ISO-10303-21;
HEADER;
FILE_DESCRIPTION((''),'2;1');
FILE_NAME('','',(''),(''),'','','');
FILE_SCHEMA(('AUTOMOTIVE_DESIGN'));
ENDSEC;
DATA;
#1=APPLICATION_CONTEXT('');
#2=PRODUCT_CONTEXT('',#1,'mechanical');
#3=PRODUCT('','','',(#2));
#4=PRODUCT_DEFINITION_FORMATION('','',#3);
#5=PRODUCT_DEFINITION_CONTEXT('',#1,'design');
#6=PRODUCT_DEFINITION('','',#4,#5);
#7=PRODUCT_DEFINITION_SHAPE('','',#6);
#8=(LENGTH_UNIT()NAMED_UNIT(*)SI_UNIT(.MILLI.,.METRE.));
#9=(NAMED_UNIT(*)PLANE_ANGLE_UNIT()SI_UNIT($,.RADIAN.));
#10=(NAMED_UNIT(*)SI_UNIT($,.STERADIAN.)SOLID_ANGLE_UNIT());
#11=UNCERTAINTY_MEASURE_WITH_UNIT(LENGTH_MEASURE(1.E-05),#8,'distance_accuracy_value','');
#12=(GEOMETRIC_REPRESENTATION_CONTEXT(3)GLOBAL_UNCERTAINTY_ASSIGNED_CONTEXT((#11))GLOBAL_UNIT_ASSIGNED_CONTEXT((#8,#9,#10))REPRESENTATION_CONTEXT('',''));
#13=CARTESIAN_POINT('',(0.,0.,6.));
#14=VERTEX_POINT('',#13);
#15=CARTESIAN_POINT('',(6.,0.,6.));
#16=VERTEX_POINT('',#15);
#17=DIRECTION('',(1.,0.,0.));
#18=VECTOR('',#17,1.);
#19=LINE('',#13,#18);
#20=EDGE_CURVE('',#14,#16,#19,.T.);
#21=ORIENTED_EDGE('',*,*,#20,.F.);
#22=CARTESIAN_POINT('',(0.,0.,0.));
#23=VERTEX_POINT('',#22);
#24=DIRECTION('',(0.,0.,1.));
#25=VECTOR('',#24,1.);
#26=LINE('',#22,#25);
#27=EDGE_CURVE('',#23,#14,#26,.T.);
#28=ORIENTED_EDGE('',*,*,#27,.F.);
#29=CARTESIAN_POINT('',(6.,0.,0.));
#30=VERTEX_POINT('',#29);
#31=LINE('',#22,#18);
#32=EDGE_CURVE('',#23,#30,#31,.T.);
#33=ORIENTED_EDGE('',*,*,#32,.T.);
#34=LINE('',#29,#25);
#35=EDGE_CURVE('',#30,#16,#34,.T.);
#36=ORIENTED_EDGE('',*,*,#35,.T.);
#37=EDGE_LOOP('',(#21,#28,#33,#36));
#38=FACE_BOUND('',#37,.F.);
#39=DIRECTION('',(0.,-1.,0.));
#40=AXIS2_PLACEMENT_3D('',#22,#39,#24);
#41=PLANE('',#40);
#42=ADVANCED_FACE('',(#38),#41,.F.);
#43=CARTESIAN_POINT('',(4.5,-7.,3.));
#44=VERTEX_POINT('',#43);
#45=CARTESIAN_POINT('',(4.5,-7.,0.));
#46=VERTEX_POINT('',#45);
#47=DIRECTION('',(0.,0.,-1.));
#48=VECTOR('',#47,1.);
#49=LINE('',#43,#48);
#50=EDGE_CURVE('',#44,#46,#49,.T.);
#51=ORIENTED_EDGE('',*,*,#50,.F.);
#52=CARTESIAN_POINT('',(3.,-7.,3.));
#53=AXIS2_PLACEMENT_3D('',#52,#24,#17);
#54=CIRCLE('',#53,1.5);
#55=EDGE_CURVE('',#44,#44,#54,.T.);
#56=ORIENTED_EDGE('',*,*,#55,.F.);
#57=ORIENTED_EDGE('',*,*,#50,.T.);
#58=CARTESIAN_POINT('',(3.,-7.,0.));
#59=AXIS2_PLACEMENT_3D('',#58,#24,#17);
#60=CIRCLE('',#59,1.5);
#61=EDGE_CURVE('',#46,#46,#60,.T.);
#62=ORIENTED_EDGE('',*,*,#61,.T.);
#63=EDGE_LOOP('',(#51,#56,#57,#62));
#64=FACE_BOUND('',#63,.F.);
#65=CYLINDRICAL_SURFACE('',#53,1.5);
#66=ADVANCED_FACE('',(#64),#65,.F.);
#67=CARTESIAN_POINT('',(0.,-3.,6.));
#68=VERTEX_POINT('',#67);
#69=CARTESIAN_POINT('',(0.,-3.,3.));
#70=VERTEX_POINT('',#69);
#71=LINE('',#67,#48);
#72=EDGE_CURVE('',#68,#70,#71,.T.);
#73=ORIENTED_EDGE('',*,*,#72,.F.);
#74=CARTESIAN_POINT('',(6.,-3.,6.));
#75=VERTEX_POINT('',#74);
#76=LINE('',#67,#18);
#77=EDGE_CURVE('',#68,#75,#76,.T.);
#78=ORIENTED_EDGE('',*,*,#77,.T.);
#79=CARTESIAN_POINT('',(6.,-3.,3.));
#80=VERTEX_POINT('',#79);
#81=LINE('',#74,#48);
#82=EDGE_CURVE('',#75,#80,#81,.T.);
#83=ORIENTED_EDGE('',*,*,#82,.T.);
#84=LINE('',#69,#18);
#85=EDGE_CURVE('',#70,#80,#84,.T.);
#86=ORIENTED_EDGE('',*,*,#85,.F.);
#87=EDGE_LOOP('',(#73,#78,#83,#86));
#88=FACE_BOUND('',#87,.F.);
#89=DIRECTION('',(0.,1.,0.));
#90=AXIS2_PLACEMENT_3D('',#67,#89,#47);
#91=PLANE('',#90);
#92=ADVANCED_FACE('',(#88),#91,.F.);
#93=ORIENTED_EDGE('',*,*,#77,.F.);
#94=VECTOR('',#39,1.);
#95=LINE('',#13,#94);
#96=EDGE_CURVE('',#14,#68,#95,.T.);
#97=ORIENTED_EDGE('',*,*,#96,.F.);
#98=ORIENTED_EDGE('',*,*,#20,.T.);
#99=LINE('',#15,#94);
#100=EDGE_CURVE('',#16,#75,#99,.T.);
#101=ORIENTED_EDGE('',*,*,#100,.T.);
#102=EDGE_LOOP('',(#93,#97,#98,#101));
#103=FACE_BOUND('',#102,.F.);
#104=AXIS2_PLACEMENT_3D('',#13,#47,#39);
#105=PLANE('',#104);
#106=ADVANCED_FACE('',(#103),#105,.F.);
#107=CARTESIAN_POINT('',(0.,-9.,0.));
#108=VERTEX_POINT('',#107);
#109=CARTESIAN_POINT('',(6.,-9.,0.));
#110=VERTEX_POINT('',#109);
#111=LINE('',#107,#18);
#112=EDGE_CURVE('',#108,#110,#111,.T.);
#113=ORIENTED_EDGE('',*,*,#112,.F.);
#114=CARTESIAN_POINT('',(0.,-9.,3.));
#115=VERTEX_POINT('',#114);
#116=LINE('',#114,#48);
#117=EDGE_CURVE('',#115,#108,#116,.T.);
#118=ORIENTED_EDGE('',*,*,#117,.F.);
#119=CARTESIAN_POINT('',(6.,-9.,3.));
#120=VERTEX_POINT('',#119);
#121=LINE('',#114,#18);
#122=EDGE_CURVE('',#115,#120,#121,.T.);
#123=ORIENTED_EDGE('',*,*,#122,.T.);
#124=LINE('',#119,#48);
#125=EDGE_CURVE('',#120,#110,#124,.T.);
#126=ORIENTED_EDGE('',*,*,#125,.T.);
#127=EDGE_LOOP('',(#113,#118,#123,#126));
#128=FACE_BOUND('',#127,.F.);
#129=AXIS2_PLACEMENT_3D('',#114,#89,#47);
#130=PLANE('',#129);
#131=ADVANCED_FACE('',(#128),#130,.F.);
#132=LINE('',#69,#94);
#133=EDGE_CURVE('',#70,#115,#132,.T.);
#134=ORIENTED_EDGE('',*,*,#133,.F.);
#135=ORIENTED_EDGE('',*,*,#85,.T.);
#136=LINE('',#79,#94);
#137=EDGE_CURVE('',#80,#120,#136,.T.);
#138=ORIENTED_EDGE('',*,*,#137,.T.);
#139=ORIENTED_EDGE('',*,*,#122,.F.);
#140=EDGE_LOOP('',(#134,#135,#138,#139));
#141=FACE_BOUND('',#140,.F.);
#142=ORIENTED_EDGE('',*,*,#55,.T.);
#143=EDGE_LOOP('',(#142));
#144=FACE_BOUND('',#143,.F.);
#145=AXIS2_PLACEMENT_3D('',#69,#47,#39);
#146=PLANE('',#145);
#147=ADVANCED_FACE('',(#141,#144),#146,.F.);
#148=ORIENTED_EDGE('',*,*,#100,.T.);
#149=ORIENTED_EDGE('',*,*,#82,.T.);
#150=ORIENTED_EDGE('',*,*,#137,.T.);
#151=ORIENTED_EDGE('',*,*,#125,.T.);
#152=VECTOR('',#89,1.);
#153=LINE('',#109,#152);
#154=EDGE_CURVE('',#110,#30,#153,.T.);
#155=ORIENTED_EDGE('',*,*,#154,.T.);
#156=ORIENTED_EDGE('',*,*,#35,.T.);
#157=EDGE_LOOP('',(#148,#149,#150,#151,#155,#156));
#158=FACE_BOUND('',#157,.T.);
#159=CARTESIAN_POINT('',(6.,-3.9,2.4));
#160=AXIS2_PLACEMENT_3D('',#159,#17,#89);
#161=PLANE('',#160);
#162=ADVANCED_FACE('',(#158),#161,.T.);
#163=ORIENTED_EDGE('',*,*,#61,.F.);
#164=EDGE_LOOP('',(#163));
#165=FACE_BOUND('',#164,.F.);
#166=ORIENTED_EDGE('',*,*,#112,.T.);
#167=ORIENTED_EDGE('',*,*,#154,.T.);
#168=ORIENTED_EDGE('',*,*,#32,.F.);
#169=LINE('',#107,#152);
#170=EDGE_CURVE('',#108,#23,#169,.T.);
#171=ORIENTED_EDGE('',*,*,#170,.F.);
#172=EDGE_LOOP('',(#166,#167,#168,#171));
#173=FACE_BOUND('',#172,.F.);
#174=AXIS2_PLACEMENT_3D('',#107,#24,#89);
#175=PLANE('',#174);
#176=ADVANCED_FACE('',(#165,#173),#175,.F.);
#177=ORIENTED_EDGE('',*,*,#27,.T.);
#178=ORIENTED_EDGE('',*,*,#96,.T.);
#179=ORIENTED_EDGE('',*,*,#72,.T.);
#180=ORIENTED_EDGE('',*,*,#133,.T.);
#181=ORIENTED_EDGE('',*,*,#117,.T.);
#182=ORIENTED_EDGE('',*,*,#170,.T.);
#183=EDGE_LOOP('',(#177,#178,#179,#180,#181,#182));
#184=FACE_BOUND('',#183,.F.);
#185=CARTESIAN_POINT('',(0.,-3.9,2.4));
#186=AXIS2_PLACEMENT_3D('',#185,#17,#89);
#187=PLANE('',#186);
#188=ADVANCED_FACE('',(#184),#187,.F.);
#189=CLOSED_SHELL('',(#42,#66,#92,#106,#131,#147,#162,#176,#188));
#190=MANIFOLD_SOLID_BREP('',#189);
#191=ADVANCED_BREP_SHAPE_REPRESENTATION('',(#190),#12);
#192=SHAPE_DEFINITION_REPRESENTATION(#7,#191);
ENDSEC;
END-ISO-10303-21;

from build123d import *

# Parameters (mm, degrees)
F1_DEPTH = 6
F2_R     = 1.5
F3_DEPTH = 25


with BuildPart() as f1:
    # F0 (on Right) → F1 (new body)
    with BuildSketch(Plane.YZ):
        Polygon((-9, 0), (0, 0), (0, 6), (-3, 6), (-3, 3), (-9, 3), align=None)
    extrude(amount=F1_DEPTH)

    # F2 (on face) → F3 (cut)
    with BuildSketch(Plane.XY.offset(3)):
        with Locations((3, -7)):
            Circle(F2_R)
    extrude(amount=-F3_DEPTH, mode=Mode.SUBTRACT)


solid = f1.part
